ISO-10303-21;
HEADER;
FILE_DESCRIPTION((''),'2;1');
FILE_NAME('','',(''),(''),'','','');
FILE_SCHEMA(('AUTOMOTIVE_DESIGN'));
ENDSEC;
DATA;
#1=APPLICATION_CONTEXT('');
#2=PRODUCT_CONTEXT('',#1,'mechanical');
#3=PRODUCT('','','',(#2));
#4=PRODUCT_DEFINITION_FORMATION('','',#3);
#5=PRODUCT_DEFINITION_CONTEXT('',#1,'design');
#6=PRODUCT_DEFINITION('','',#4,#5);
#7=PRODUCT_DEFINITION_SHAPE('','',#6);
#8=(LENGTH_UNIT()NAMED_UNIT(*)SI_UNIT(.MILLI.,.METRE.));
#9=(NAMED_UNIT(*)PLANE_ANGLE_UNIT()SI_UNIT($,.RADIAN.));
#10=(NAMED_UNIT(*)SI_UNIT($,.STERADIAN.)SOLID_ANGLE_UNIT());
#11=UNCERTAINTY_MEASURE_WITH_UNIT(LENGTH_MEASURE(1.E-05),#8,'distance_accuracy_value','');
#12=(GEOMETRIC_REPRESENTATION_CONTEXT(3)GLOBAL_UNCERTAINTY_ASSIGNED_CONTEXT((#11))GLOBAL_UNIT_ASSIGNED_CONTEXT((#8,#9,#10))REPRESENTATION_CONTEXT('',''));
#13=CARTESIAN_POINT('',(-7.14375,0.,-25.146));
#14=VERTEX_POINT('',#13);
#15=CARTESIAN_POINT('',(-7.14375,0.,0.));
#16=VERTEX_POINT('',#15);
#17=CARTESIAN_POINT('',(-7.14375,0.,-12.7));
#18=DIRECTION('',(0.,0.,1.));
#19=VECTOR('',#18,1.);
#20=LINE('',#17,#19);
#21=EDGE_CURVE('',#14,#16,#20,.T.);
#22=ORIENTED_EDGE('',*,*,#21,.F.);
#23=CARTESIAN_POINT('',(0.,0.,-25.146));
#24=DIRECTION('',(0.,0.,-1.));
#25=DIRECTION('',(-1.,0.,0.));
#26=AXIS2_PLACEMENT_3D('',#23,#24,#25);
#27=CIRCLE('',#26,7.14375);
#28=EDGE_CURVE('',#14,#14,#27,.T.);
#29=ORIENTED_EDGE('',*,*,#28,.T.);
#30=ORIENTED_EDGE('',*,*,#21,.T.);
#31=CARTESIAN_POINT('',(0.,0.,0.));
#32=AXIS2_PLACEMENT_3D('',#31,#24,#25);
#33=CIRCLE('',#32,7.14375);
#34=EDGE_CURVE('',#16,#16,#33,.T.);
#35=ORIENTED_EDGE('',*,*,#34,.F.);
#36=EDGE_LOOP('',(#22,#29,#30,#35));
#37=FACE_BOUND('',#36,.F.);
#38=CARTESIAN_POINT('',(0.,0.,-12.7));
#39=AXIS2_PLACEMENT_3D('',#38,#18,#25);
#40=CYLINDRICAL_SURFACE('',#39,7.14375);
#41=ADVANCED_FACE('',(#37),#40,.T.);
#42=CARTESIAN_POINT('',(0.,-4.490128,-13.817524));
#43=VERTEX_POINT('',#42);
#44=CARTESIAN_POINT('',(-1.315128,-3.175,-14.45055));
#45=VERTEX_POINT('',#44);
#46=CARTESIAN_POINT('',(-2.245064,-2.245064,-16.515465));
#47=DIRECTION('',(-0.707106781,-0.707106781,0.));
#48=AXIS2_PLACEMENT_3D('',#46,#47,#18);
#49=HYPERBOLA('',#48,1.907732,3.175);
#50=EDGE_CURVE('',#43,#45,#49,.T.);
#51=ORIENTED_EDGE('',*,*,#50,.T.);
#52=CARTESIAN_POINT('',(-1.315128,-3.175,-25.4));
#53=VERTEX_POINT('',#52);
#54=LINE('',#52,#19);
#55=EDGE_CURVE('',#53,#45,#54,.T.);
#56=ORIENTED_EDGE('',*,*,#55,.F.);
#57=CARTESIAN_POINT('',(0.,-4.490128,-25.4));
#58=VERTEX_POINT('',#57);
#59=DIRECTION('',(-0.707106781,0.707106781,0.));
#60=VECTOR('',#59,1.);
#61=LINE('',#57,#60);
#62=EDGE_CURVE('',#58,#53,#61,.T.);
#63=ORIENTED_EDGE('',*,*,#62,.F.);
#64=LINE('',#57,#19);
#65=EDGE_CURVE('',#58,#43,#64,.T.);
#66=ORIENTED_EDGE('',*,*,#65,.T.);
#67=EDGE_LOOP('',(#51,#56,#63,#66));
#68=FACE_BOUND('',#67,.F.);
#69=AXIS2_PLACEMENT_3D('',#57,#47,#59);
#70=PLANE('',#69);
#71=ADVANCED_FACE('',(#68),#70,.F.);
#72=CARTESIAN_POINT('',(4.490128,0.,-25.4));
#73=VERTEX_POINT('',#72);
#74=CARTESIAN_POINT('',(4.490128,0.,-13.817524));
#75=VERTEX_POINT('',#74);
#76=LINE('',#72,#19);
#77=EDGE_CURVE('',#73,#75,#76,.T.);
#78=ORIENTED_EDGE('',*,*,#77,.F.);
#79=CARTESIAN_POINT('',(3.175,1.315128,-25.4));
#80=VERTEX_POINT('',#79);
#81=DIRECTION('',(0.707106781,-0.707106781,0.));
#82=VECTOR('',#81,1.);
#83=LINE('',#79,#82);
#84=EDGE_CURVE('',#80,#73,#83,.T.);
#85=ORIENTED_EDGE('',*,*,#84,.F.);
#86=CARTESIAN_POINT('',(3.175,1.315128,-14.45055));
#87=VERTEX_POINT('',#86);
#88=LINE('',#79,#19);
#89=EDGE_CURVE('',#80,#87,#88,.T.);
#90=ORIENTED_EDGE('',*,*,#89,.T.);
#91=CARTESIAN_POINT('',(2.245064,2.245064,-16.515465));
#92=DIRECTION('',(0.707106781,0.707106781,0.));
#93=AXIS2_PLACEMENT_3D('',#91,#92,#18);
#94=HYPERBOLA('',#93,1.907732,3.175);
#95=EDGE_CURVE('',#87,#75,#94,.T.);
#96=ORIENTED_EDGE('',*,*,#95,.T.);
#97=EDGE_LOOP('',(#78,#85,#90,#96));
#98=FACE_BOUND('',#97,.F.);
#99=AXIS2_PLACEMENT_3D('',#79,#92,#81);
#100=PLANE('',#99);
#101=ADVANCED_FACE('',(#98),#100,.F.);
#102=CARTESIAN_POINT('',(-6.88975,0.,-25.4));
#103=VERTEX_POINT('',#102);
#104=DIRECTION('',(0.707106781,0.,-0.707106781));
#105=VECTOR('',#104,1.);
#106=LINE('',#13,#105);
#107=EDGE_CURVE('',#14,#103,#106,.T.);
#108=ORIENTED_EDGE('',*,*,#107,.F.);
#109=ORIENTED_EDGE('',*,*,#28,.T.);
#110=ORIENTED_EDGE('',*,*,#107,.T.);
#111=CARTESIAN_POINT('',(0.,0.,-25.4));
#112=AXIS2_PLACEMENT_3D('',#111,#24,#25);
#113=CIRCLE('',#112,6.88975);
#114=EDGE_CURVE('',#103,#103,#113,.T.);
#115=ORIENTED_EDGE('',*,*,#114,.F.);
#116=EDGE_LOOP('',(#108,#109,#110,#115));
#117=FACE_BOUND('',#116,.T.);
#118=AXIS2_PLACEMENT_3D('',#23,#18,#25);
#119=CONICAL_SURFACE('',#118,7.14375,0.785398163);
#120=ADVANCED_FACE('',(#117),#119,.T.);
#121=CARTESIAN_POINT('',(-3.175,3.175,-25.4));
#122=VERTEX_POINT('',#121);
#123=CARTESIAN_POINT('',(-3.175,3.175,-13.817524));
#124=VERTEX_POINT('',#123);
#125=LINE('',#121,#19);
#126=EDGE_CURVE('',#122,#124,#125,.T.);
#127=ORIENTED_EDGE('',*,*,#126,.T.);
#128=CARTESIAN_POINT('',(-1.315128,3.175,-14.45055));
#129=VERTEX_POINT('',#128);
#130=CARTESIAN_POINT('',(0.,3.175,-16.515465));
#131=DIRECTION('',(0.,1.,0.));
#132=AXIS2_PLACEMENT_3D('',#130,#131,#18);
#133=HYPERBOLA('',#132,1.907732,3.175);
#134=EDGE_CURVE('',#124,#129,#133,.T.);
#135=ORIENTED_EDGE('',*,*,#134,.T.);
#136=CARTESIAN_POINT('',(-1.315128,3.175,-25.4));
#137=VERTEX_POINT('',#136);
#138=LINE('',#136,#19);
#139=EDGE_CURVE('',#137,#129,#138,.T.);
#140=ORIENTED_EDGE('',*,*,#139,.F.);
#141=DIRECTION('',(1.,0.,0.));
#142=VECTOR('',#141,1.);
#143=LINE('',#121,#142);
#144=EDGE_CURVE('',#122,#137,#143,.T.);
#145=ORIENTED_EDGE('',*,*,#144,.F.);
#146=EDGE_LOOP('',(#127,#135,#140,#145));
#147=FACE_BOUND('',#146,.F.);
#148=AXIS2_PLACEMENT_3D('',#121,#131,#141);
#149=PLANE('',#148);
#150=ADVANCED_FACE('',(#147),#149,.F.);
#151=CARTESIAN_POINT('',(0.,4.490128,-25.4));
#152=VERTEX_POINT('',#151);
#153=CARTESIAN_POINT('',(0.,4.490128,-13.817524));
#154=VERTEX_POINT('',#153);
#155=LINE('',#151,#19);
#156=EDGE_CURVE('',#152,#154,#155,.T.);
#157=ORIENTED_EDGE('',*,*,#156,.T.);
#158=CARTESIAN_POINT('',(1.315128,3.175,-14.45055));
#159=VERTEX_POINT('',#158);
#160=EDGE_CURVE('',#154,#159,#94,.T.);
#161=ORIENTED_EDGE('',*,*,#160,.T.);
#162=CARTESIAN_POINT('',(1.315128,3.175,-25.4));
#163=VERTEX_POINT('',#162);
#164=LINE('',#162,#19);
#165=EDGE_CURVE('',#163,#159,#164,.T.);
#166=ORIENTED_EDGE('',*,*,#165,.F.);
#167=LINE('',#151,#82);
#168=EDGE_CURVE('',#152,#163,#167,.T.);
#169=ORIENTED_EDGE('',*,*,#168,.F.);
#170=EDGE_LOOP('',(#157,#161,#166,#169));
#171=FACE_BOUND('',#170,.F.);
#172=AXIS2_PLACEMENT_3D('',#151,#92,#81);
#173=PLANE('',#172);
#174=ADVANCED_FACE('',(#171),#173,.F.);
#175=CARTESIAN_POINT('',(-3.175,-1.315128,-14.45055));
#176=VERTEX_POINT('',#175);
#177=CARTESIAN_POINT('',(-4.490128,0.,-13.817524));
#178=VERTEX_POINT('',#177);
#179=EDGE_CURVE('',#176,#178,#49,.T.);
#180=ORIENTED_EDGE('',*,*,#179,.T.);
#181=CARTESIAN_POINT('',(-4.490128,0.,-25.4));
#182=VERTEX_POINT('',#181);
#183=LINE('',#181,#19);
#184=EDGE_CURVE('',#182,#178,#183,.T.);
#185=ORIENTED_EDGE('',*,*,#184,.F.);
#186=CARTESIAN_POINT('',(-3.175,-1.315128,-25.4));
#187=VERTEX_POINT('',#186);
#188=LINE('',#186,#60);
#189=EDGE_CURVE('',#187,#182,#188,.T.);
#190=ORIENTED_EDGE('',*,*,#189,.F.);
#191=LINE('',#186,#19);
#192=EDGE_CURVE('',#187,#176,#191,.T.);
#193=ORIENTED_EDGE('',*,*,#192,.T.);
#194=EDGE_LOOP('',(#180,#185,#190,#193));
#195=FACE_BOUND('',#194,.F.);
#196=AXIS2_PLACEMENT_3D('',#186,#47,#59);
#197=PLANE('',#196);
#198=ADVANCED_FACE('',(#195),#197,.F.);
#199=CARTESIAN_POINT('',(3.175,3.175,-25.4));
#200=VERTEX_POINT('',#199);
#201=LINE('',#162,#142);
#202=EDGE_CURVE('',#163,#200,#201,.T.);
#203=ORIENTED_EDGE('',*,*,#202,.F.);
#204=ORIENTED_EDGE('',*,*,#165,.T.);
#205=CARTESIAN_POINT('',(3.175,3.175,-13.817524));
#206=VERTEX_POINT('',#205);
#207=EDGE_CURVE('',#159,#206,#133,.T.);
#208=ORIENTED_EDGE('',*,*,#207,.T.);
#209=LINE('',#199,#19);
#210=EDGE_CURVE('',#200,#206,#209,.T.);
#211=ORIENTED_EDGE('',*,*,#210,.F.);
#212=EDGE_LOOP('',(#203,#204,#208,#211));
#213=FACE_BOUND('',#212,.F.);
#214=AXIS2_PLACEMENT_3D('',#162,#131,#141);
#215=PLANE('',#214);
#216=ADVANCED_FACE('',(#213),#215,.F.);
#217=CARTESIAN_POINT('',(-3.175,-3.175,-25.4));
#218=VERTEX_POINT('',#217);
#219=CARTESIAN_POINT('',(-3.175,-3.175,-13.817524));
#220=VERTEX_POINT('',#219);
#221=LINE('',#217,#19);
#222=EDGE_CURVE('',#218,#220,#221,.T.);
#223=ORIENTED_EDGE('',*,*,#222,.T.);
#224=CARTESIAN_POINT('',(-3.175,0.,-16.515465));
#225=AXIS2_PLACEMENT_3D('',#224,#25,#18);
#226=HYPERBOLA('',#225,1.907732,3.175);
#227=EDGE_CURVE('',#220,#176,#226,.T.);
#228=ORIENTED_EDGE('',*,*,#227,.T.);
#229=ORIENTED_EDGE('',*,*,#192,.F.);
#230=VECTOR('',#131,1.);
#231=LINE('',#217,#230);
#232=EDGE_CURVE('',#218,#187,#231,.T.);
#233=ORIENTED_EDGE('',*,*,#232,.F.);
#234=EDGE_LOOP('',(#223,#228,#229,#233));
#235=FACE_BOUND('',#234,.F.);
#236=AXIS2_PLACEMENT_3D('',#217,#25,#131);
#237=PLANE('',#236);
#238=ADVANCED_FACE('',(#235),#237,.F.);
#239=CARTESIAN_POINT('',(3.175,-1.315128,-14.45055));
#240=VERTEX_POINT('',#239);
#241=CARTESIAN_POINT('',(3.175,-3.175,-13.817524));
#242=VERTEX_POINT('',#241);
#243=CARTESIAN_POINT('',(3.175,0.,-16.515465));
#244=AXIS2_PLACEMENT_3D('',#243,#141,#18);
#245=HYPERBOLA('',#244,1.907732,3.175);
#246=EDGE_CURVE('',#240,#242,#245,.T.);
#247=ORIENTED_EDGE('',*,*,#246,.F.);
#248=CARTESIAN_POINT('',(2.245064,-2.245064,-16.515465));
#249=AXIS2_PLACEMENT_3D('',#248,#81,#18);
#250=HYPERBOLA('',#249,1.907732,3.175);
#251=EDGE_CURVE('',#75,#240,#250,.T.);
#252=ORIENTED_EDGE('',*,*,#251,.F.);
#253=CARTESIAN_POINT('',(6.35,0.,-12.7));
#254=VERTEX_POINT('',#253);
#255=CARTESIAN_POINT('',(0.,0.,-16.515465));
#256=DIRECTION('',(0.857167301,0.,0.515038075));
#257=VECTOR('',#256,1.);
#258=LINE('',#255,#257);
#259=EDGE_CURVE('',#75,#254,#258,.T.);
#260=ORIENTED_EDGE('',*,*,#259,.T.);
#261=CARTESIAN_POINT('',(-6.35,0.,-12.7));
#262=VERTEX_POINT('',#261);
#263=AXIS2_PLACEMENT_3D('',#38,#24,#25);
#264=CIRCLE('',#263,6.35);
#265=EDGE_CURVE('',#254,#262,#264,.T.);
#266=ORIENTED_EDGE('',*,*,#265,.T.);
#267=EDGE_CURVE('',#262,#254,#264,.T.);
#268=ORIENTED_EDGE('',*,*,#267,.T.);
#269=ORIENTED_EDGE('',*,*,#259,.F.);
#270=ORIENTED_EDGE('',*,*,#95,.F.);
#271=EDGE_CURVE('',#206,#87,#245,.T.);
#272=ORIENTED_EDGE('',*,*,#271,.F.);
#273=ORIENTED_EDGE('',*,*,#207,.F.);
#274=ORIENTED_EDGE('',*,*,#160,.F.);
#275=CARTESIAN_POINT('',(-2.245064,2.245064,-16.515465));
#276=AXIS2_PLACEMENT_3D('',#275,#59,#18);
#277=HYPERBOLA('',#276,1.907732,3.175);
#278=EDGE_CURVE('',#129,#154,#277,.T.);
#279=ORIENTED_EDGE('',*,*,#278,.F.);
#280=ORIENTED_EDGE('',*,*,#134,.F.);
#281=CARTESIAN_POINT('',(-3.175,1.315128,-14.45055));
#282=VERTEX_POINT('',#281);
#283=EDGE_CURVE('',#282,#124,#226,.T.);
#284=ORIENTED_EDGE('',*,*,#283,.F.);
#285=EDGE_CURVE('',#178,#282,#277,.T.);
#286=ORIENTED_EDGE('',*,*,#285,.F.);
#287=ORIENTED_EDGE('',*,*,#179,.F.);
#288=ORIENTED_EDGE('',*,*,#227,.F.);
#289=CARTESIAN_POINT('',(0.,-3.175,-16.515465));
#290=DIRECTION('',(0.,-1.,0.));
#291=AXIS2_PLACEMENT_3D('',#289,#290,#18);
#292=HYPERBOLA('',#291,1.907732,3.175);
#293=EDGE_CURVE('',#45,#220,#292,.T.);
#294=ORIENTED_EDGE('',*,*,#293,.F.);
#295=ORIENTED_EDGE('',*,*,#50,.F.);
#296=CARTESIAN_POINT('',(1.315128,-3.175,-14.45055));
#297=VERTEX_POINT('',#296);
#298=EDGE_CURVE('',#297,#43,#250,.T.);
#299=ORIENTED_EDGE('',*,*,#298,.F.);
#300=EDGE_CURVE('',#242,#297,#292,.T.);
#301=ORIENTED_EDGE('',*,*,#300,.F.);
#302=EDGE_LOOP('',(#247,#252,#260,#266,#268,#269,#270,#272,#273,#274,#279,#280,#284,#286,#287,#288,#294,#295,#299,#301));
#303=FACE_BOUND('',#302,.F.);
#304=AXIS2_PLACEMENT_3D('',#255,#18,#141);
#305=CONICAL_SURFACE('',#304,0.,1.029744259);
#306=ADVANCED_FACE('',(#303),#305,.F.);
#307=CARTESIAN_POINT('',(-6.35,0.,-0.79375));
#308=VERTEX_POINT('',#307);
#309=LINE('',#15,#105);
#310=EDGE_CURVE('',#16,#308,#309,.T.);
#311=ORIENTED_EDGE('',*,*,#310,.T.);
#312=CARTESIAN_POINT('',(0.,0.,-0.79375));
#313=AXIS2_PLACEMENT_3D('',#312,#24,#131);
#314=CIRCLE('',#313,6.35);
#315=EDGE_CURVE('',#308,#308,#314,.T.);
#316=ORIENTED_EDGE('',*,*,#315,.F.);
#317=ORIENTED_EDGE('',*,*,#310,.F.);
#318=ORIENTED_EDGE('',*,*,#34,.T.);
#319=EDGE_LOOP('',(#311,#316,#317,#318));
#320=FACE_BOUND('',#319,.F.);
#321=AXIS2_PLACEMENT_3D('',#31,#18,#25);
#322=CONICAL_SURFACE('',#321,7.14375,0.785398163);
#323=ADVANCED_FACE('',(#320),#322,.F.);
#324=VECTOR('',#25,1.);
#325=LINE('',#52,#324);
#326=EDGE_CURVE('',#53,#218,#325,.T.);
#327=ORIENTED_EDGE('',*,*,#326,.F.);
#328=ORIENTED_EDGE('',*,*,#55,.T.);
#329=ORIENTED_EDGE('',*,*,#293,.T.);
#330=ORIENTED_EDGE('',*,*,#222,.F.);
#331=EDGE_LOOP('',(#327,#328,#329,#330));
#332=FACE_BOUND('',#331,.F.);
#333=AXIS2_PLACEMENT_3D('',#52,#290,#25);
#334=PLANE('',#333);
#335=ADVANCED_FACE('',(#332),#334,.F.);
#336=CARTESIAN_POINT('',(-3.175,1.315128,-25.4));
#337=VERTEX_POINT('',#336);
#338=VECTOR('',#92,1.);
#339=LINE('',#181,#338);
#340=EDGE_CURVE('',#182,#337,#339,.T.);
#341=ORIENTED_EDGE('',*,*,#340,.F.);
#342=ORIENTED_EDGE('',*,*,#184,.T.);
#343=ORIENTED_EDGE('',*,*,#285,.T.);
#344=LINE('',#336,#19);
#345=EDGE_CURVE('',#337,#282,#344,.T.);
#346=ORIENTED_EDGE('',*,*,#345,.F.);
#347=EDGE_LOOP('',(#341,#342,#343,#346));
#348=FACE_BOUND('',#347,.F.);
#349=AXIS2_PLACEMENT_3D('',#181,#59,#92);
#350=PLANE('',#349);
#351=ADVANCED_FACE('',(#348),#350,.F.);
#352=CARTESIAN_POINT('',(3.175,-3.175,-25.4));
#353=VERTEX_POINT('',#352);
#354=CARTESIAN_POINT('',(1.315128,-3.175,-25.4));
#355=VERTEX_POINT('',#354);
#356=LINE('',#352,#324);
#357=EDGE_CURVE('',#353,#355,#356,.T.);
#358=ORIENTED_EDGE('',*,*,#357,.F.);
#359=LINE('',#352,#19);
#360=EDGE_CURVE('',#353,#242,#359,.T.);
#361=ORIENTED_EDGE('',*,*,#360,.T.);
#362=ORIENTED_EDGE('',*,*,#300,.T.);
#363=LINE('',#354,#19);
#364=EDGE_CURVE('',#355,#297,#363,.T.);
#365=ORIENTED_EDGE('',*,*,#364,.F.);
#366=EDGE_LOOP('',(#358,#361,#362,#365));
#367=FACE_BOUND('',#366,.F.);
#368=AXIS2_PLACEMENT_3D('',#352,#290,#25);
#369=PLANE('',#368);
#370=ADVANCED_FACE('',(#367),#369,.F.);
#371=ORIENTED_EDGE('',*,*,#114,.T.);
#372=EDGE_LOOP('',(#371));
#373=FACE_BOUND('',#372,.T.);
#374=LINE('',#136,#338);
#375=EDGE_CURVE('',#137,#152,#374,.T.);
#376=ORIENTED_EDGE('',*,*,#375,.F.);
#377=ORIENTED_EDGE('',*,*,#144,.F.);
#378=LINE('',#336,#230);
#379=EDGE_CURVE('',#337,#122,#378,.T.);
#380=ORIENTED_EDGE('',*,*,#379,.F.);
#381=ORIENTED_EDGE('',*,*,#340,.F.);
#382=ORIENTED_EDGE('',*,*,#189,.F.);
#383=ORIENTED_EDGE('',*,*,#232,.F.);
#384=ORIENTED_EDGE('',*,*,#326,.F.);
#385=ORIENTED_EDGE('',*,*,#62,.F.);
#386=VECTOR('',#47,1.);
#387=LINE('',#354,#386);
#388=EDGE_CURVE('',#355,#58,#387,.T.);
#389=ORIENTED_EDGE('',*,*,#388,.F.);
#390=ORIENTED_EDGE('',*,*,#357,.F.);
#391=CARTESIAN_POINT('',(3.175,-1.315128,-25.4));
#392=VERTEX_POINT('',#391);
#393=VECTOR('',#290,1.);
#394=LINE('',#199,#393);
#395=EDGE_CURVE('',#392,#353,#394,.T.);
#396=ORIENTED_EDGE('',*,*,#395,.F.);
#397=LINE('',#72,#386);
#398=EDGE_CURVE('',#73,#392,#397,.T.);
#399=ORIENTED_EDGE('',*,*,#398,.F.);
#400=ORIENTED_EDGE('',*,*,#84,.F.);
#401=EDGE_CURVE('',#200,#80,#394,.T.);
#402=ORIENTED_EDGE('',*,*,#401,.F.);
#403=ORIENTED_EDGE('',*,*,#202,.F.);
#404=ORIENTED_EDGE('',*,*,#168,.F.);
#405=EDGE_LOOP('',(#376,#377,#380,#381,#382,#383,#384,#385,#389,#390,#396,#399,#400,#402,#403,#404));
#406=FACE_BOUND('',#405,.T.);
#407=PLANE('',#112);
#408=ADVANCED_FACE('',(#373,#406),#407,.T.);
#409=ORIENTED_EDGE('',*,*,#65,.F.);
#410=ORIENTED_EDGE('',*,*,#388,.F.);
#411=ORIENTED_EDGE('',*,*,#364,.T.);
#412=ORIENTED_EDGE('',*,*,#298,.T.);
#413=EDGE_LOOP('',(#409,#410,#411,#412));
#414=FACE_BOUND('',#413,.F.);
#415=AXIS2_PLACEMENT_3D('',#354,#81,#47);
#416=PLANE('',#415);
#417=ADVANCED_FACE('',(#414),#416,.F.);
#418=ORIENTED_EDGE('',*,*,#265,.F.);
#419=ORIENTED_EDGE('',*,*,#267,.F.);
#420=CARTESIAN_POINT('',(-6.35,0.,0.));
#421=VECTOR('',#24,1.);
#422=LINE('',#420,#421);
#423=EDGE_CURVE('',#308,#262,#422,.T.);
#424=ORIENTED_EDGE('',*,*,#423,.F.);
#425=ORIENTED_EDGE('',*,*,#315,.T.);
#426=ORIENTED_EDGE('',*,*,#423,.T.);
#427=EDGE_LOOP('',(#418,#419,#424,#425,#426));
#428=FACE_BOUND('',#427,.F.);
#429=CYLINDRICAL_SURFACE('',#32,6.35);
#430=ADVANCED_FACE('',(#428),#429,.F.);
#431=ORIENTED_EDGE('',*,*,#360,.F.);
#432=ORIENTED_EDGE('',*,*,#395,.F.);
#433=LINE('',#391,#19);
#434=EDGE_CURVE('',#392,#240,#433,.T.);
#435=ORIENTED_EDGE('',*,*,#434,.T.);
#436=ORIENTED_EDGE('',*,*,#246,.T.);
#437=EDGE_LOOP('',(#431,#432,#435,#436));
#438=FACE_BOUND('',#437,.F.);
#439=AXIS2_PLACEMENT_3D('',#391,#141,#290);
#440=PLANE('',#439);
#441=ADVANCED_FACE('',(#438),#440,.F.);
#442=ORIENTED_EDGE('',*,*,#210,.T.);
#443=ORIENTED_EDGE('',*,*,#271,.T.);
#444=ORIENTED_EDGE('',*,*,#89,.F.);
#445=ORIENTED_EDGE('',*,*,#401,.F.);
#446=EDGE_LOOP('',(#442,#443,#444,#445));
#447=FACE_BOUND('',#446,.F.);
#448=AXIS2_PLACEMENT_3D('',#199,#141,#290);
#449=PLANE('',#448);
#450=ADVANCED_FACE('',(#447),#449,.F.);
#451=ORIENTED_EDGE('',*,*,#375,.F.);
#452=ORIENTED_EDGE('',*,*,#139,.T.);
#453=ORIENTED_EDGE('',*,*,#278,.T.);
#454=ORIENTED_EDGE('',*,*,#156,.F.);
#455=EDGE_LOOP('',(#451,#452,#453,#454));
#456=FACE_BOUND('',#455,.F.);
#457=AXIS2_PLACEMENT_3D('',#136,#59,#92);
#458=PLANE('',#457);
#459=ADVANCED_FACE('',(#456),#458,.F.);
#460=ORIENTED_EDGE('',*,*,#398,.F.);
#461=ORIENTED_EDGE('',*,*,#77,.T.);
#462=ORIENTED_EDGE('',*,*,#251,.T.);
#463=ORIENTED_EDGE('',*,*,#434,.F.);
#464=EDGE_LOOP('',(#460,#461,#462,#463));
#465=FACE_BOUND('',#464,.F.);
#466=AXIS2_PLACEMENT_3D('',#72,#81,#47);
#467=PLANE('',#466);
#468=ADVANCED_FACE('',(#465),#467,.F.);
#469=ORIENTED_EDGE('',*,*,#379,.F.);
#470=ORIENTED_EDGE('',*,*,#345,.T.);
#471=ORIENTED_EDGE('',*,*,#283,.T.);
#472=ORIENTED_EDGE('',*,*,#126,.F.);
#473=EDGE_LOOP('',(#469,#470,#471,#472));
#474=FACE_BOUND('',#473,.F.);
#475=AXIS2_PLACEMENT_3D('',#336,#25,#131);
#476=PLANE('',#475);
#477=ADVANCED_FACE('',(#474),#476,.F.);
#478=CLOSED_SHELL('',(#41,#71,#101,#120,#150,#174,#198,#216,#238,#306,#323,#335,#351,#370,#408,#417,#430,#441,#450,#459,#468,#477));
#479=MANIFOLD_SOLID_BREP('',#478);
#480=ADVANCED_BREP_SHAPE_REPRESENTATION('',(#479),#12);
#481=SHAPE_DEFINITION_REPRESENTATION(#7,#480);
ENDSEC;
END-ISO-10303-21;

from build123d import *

# Parameters (mm, degrees)
F0_W           = 7.14375
F0_H           = 25.4
F3_D           = 12.7
F3_DEPTH       = 12.7
F3_CSINK_D     = 14.2875
F3_CSINK_ANGLE = 90
F3_TIP         = 3.8154649308
F5_DEPTH       = 12.7
F6_SIZE        = 0.254


with BuildPart() as f1:
    # F0 (on Front) → F1 (revolve)
    with BuildSketch(Plane.XZ):
        with Locations((-3.571875, -12.7)):
            Rectangle(F0_W, F0_H)
    revolve(axis=Axis((0, 0, -12.7), (0, 0, -1)))

    # F3
    with Locations(Plane.XY):
        with Locations((0, 0)):
            CounterSinkHole(F3_D / 2, F3_CSINK_D / 2, depth=F3_DEPTH, counter_sink_angle=F3_CSINK_ANGLE)
            with Locations((0, 0, -(F3_DEPTH + F3_TIP / 2))):  # 118° drill point
                Cone(0, F3_D / 2, F3_TIP, mode=Mode.SUBTRACT)

    # F4 (on face) → F5 (cut)
    with BuildSketch(Plane(origin=(0, 0, -25.4), x_dir=(1, 0, 0), z_dir=(0, 0, -1))):
        Polygon((-3.175, -1.3151280605), (-3.175, -3.175), (-1.3151280605, -3.175), align=None)
        Polygon((1.3151280605, -3.175), (-1.3151280605, -3.175), (0, -4.4901280605), align=None)
        Polygon((3.175, -1.3151280605), (1.3151280605, -3.175), (3.175, -3.175), align=None)
        Polygon((-3.175, 3.175), (-3.175, 1.3151280605), (-1.3151280605, 3.175), align=None)
        Polygon((0, 4.4901280605), (-1.3151280605, 3.175), (1.3151280605, 3.175), align=None)
        Polygon((1.3151280605, 3.175), (3.175, 1.3151280605), (3.175, 3.175), align=None)
        Polygon((-4.4901280605, 0), (-3.175, -1.3151280605), (-3.175, 1.3151280605), align=None)
        Polygon((-3.175, -1.3151280605), (-1.3151280605, -3.175), (1.3151280605, -3.175), (3.175, -1.3151280605), (3.175, 1.3151280605), (1.3151280605, 3.175), (-1.3151280605, 3.175), (-3.175, 1.3151280605), align=None)
        Polygon((3.175, 1.3151280605), (3.175, -1.3151280605), (4.4901280605, 0), align=None)
    extrude(amount=-F5_DEPTH, mode=Mode.SUBTRACT)

    # F6
    f6_edges = [f1.edges().sort_by_distance(p)[0] for p in [
        (7.14375, 0, -25.4),
    ]]
    chamfer(f6_edges, length=F6_SIZE)


solid = f1.part
